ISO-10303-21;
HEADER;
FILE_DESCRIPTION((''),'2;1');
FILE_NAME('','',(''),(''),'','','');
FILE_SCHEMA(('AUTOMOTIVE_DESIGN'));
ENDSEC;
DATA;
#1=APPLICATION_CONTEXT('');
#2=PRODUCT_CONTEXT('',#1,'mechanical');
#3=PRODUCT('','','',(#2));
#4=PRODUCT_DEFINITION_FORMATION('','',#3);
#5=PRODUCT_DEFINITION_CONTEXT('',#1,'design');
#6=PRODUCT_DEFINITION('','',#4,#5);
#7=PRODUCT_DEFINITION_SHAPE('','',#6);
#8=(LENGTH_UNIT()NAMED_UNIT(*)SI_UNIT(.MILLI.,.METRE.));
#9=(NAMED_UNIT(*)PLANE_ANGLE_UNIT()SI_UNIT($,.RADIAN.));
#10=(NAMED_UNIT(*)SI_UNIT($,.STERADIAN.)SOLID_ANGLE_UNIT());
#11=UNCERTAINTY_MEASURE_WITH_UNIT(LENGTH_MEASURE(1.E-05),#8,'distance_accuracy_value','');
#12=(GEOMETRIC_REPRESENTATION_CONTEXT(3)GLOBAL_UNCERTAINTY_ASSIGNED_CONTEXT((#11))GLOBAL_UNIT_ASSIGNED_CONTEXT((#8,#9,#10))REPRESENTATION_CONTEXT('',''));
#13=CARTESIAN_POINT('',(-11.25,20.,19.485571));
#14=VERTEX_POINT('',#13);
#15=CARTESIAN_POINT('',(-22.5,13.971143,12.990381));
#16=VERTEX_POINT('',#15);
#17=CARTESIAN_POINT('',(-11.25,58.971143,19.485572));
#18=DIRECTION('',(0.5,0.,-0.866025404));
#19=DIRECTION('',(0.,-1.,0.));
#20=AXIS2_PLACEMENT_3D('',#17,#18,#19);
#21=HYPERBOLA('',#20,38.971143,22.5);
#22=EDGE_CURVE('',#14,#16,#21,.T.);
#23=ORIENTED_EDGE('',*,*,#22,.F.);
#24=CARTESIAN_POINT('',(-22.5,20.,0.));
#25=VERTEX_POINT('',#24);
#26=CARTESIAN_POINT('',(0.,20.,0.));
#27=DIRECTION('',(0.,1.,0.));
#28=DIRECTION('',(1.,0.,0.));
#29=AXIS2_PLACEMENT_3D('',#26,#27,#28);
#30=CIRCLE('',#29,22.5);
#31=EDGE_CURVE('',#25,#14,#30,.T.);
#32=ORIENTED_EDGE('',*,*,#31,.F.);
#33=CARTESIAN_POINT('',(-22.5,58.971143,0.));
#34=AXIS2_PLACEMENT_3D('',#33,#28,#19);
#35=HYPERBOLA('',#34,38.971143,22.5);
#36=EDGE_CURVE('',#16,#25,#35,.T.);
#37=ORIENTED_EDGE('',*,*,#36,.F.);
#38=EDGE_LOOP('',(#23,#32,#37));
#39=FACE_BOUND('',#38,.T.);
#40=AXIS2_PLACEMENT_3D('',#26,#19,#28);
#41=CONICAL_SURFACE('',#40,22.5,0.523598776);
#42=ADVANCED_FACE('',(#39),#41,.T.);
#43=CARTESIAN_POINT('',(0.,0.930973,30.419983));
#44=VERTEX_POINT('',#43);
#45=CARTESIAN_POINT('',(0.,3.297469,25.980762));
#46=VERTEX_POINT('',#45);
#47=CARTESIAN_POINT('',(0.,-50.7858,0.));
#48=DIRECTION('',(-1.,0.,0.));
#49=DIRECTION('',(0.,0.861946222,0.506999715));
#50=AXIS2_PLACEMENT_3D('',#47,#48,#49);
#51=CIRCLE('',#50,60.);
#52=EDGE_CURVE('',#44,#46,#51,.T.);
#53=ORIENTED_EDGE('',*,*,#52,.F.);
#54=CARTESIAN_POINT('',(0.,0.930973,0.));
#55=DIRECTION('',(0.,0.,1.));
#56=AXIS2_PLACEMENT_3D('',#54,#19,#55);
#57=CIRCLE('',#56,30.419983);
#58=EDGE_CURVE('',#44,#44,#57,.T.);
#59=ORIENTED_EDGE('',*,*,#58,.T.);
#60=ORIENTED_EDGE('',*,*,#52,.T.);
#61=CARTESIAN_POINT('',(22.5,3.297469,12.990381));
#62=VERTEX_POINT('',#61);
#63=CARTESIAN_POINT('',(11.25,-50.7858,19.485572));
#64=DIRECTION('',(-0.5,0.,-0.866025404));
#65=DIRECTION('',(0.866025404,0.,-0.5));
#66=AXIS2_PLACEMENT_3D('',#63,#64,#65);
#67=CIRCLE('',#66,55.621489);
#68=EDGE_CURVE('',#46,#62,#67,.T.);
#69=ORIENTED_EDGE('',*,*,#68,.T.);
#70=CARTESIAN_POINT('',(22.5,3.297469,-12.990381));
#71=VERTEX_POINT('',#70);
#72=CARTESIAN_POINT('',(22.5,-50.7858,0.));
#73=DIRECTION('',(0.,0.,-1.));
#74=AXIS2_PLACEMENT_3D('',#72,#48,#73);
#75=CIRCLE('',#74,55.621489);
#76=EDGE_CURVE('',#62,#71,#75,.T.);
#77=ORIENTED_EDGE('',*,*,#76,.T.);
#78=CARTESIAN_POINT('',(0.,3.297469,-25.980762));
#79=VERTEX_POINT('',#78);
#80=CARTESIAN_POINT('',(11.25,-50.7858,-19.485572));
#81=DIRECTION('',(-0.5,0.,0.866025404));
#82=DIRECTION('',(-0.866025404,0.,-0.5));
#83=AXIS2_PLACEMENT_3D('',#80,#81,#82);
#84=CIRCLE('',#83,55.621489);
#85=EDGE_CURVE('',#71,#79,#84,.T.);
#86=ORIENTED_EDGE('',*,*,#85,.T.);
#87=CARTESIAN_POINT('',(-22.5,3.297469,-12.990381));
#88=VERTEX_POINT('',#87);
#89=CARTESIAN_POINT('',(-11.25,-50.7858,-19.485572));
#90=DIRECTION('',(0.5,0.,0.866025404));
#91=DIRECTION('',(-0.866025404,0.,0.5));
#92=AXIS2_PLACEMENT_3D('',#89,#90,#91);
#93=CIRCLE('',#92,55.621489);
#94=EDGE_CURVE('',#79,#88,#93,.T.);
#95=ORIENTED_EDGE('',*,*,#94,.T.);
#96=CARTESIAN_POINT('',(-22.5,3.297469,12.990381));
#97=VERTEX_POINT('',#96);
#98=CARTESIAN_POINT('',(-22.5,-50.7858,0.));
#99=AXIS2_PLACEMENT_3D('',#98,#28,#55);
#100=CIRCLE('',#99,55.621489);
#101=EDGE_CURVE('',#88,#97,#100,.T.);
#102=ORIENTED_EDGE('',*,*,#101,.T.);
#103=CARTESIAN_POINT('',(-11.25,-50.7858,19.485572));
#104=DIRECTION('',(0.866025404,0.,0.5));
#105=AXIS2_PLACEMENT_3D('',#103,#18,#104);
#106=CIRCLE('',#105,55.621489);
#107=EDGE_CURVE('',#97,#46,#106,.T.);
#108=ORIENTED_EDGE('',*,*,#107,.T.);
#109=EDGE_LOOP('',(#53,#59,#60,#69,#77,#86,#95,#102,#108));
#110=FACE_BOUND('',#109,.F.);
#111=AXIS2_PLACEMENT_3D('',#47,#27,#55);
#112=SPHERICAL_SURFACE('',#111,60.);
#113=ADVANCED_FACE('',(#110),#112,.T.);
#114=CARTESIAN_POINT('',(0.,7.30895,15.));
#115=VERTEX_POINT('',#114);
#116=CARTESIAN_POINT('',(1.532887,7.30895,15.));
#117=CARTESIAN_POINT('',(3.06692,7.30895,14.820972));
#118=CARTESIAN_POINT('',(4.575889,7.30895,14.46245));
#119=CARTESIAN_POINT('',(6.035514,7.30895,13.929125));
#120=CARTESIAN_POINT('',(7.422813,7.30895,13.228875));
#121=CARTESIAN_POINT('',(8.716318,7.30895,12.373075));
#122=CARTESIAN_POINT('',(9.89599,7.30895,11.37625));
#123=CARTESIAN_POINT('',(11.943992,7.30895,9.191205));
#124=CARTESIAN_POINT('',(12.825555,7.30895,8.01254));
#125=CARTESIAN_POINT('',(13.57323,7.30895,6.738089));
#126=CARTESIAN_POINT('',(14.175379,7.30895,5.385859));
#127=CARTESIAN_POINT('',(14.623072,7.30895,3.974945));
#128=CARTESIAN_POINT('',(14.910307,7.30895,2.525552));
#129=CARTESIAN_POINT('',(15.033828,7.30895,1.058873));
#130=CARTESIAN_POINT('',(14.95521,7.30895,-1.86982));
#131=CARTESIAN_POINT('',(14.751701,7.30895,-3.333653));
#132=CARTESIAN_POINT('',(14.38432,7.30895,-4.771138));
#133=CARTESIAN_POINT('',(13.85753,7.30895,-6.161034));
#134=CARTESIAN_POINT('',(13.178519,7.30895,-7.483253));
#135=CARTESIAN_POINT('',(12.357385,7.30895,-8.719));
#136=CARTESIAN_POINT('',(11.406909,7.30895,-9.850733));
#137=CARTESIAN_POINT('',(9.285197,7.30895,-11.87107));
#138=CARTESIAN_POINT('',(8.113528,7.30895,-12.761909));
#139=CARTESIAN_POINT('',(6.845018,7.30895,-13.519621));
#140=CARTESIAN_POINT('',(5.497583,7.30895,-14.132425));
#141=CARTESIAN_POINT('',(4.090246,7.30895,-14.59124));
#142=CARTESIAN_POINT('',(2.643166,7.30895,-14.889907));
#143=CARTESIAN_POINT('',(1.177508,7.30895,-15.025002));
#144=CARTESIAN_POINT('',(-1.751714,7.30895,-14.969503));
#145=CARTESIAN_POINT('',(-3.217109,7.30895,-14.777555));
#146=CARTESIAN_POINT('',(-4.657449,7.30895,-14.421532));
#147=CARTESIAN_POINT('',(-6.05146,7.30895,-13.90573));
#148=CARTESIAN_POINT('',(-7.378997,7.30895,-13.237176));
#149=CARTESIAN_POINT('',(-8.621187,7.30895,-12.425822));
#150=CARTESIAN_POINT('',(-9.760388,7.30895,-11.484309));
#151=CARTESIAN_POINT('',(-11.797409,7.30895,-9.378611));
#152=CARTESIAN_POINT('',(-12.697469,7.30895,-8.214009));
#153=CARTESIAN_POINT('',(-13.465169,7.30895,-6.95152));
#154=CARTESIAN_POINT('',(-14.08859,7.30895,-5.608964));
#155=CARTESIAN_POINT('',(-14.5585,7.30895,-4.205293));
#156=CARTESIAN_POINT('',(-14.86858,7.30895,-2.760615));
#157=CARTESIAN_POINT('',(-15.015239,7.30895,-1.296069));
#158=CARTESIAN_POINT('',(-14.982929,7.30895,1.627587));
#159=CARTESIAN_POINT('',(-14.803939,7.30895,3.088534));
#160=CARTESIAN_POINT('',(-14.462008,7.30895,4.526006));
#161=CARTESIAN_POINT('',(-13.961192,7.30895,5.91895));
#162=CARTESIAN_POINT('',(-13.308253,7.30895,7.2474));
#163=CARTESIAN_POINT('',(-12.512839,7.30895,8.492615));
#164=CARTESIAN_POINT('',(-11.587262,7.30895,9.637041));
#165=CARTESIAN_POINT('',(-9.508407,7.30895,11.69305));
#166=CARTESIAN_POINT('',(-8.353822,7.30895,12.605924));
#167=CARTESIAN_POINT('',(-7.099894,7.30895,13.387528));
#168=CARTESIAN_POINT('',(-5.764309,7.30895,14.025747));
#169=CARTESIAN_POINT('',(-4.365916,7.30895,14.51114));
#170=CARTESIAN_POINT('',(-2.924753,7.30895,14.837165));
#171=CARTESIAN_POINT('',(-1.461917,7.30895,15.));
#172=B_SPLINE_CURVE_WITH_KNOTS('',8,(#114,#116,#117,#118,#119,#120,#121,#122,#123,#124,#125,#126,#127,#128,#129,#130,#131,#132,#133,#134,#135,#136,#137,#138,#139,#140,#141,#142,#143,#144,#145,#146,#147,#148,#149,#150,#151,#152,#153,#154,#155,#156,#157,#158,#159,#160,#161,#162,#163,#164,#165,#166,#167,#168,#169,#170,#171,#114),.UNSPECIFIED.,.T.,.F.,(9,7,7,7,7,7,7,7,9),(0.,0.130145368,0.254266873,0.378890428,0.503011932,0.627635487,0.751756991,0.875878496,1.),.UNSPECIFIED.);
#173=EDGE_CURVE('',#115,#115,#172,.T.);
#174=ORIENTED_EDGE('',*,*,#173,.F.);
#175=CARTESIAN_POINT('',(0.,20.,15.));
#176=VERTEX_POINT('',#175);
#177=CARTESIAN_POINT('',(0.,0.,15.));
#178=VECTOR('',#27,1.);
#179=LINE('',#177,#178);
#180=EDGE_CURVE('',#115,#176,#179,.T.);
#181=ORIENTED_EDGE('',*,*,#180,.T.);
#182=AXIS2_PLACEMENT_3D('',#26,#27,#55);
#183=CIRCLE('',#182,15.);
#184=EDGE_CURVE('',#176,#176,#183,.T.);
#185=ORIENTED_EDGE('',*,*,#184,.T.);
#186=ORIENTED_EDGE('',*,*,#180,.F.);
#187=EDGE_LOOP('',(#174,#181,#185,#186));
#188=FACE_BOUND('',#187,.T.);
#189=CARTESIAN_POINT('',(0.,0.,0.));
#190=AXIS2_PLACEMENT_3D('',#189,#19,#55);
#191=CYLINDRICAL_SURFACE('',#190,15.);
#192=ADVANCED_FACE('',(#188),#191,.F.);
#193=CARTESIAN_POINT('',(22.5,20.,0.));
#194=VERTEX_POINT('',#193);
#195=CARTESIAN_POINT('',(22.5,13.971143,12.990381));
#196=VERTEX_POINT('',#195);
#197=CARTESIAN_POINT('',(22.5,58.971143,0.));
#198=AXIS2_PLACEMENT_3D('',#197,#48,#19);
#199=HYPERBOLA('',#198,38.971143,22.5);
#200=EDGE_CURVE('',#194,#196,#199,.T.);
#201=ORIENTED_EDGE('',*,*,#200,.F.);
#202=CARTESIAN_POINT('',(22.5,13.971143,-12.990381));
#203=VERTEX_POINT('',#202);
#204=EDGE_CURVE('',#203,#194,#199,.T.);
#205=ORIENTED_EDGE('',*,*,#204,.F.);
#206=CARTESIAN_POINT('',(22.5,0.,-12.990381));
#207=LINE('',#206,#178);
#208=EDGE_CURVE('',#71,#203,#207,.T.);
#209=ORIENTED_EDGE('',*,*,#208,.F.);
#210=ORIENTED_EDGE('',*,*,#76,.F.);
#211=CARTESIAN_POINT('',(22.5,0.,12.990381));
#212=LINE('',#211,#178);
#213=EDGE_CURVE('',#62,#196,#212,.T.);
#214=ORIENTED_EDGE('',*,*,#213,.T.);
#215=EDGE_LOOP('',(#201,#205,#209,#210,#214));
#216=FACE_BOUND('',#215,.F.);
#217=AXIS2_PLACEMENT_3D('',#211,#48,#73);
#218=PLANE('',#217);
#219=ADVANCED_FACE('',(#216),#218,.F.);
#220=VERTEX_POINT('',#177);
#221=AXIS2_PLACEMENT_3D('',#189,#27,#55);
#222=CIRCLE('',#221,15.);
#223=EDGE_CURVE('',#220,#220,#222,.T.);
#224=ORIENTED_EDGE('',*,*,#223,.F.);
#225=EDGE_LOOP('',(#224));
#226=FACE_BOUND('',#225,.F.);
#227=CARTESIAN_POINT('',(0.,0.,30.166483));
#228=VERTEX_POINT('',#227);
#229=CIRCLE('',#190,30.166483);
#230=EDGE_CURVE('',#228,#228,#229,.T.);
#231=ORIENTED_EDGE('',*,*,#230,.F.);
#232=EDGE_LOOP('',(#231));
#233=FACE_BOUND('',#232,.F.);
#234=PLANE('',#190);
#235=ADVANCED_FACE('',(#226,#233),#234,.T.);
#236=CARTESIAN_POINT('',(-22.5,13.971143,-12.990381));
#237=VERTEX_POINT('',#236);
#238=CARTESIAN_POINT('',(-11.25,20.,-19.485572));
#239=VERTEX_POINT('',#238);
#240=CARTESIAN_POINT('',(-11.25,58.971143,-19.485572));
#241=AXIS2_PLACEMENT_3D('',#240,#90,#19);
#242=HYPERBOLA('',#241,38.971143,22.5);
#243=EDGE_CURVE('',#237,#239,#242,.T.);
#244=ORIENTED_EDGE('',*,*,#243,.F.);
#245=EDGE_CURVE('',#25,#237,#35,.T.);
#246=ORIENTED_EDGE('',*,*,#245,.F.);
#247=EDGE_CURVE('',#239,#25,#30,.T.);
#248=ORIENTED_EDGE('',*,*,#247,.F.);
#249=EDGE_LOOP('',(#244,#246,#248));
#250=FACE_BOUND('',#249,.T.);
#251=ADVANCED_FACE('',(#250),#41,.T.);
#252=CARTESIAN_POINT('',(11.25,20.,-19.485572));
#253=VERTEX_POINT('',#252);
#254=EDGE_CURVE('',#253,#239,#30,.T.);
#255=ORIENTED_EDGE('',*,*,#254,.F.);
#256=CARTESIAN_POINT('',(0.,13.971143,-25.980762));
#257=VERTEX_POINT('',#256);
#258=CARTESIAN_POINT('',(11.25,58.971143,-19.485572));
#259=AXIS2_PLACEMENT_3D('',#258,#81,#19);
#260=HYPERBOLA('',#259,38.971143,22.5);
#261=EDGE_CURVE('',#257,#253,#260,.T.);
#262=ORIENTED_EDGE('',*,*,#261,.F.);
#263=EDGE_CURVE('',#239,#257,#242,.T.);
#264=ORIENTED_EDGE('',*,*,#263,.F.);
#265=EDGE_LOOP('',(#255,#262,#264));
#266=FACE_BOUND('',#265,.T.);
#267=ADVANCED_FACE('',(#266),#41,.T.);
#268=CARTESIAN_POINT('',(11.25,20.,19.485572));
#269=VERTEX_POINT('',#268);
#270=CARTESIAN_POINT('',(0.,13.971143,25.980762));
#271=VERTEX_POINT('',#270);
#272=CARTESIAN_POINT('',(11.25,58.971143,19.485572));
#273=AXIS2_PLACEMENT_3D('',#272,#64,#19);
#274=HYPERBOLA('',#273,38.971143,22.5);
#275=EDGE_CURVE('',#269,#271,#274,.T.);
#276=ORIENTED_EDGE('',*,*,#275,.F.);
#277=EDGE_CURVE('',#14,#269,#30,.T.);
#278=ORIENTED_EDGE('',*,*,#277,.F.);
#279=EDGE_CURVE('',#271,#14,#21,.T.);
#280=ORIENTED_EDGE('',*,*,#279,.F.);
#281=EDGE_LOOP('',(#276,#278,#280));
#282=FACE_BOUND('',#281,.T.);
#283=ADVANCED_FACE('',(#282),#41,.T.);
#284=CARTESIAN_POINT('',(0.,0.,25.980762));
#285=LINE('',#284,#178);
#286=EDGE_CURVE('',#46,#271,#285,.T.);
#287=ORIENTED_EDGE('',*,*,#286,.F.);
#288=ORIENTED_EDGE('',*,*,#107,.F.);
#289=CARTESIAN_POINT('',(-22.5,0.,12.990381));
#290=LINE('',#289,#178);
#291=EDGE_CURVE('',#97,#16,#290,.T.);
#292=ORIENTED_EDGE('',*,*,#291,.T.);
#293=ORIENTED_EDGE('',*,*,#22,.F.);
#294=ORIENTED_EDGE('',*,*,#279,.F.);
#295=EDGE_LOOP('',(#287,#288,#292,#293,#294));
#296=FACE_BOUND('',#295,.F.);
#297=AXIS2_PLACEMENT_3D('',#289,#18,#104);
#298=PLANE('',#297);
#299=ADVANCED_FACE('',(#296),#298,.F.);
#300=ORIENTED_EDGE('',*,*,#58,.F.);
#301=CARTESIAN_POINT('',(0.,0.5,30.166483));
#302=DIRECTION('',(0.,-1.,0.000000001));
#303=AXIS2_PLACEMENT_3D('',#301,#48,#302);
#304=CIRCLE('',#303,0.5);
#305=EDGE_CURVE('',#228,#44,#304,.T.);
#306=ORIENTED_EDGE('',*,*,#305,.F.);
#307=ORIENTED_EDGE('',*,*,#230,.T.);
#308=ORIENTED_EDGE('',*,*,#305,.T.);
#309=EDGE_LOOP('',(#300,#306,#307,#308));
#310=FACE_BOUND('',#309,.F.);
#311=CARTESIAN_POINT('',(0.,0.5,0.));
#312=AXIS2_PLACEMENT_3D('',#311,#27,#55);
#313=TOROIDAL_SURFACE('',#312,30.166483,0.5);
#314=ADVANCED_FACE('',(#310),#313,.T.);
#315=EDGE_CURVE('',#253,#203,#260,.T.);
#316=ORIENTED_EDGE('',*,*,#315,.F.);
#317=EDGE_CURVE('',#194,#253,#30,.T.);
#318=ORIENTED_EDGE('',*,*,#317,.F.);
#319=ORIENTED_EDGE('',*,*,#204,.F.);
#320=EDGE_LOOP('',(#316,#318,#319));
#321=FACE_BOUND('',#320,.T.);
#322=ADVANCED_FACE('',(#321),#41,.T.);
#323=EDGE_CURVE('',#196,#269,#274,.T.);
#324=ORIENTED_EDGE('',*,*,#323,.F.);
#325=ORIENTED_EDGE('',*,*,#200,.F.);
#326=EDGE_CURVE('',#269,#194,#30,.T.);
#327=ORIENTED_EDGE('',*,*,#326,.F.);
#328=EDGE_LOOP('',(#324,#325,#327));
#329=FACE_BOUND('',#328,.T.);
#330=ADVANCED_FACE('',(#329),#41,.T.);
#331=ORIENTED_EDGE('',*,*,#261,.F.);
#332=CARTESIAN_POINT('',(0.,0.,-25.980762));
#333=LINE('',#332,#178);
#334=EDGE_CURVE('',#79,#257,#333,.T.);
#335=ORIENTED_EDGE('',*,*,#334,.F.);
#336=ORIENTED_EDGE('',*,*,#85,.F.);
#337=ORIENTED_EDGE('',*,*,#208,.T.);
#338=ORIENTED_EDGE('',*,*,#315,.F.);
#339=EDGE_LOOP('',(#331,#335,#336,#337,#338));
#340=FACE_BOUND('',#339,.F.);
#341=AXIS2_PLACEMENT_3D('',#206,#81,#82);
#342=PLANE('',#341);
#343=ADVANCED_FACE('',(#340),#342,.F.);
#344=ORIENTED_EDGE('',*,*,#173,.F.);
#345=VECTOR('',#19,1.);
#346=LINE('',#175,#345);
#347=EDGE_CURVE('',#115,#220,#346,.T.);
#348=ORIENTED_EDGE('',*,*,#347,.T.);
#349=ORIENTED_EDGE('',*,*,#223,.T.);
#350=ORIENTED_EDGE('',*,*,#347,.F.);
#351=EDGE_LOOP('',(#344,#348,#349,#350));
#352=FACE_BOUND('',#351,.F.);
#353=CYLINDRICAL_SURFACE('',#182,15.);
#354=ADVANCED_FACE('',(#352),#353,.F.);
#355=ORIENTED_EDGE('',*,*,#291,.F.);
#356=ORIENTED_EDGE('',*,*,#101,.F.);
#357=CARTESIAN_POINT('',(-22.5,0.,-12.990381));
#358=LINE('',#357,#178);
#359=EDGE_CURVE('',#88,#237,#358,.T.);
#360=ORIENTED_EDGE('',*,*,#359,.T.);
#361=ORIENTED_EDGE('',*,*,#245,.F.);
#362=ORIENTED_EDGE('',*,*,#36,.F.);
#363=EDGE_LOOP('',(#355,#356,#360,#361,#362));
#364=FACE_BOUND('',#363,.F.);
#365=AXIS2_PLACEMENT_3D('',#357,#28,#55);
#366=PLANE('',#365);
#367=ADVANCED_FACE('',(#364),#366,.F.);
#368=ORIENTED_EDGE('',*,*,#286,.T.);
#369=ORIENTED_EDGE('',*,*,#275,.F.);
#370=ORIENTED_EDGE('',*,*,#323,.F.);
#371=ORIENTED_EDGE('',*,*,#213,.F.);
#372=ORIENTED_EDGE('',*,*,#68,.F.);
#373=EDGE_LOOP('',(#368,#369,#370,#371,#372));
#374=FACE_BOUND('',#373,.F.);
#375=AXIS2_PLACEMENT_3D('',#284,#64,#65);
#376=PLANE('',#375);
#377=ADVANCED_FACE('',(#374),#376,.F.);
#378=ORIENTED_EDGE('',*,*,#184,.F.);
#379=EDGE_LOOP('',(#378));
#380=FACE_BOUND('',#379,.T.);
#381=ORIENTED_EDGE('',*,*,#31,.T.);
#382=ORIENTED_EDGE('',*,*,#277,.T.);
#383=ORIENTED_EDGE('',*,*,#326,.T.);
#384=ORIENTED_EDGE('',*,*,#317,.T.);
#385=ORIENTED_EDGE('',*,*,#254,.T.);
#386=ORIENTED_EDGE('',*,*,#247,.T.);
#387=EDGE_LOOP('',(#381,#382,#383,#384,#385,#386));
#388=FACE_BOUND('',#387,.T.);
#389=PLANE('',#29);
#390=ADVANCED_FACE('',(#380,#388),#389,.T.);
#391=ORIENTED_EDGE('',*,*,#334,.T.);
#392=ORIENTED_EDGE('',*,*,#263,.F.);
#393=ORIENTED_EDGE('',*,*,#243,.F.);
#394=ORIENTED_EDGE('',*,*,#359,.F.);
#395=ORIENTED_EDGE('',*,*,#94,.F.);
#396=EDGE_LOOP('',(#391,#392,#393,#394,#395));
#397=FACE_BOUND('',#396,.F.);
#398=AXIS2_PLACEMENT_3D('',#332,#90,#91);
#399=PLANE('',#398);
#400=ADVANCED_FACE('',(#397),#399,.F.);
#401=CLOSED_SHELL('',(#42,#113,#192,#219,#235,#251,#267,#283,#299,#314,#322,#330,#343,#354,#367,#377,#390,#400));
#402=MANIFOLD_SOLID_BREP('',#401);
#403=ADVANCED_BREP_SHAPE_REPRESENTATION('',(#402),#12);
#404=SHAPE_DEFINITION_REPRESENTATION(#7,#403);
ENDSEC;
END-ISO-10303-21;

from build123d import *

# Parameters (mm, degrees)
SKETCH1_R           = 15
BOSS_EXTRUDE1_DEPTH = 20
SKETCH2_OUTSIDE_W   = 104.228
SKETCH2_OUTSIDE_H   = 104.228
SKETCH2_OUTSIDE_R   = 22.5
CUT_EXTRUDE1_DEPTH  = 20
CUT_EXTRUDE1_DRAFT  = -30
CUT_EXTRUDE2_REACH  = 49.758
SKETCH4_R           = 15


with BuildPart() as part:
    # Sketch1 → Boss-Extrude1 (new body)
    with BuildSketch(Plane(origin=(0, 0, 0), x_dir=(1, 0, 0), z_dir=(0, 1, 0))):
        Polygon((0, 25.980762114), (-22.5, 12.990381057), (-22.5, -12.990381057), (0, -25.980762114), (22.5, -12.990381057), (22.5, 12.990381057), align=None)
        with Locations(Location((0, 0, 0), (0, 0, 270))):
            Circle(SKETCH1_R, mode=Mode.SUBTRACT)
    extrude(amount=BOSS_EXTRUDE1_DEPTH)

    # Sketch3 → Revolve1 (revolve)
    with BuildSketch(Plane.XY, mode=Mode.PRIVATE) as revolve1_sk:
        with BuildLine():
            Line((0, 9.214199819), (0, 0))
            Line((0, 0), (30.166483054, 0))
            ThreePointArc((30.166483054, 0), (30.648917793, 0.368635156), (30.419982911, 0.930973111))
            ThreePointArc((30.419982911, 0.930973111), (15.763781312, 7.106368536), (0, 9.214199819))
        make_face()
    revolve(revolve1_sk.sketch.rotate(Axis((0, 0, 0), (0, -1, 0)), 90), axis=Axis((0, 0, 0), (0, -1, 0)))


with BuildPart() as cut_extrude1_tool:
    # Sketch2 outside → Cut-Extrude1 (with draft: the straight prism first)
    with BuildSketch(Plane(origin=(0, 20, 0), x_dir=(1, 0, 0), z_dir=(0, 1, 0))):
        Rectangle(SKETCH2_OUTSIDE_W, SKETCH2_OUTSIDE_H)
        Circle(SKETCH2_OUTSIDE_R, mode=Mode.SUBTRACT)
    extrude(amount=-CUT_EXTRUDE1_DEPTH)
    # Cut-Extrude1: the draft: its side faces are tilted about the plane it starts from
    cut_extrude1_sides = [cut_extrude1_tool.faces().sort_by_distance(p)[0] for p in [
        (0, 10, 52.114),
        (52.114, 10, 0),
        (0, 10, -52.114),
        (-52.114, 10, 0),
        (-22.5, 10, 0),
    ]]
    draft(cut_extrude1_sides, Plane(origin=(0, 20, 0), x_dir=(1, 0, 0), z_dir=(0, 1, 0)), CUT_EXTRUDE1_DRAFT)


with BuildPart() as part_1:
    add(part.part)

    # Cut-Extrude1: cut by cut_extrude1_tool
    add(cut_extrude1_tool.part, mode=Mode.SUBTRACT)

    # Sketch4 → Cut-Extrude2 (cut, up to next)
    with BuildSketch(Plane(origin=(0, 20, 0), x_dir=(1, 0, 0), z_dir=(0, 1, 0)), mode=Mode.PRIVATE) as cut_extrude2_sk1:
        with Locations(Location((0, 0, 0), (0, 0, 270))):
            Circle(SKETCH4_R)
    cut_extrude2_tool1 = extrude(cut_extrude2_sk1.sketch, amount=-CUT_EXTRUDE2_REACH, mode=Mode.PRIVATE) & part_1.part
    add(cut_extrude2_tool1.solids().sort_by_distance((0, 20, 0))[0], mode=Mode.SUBTRACT)


solid = part_1.part
